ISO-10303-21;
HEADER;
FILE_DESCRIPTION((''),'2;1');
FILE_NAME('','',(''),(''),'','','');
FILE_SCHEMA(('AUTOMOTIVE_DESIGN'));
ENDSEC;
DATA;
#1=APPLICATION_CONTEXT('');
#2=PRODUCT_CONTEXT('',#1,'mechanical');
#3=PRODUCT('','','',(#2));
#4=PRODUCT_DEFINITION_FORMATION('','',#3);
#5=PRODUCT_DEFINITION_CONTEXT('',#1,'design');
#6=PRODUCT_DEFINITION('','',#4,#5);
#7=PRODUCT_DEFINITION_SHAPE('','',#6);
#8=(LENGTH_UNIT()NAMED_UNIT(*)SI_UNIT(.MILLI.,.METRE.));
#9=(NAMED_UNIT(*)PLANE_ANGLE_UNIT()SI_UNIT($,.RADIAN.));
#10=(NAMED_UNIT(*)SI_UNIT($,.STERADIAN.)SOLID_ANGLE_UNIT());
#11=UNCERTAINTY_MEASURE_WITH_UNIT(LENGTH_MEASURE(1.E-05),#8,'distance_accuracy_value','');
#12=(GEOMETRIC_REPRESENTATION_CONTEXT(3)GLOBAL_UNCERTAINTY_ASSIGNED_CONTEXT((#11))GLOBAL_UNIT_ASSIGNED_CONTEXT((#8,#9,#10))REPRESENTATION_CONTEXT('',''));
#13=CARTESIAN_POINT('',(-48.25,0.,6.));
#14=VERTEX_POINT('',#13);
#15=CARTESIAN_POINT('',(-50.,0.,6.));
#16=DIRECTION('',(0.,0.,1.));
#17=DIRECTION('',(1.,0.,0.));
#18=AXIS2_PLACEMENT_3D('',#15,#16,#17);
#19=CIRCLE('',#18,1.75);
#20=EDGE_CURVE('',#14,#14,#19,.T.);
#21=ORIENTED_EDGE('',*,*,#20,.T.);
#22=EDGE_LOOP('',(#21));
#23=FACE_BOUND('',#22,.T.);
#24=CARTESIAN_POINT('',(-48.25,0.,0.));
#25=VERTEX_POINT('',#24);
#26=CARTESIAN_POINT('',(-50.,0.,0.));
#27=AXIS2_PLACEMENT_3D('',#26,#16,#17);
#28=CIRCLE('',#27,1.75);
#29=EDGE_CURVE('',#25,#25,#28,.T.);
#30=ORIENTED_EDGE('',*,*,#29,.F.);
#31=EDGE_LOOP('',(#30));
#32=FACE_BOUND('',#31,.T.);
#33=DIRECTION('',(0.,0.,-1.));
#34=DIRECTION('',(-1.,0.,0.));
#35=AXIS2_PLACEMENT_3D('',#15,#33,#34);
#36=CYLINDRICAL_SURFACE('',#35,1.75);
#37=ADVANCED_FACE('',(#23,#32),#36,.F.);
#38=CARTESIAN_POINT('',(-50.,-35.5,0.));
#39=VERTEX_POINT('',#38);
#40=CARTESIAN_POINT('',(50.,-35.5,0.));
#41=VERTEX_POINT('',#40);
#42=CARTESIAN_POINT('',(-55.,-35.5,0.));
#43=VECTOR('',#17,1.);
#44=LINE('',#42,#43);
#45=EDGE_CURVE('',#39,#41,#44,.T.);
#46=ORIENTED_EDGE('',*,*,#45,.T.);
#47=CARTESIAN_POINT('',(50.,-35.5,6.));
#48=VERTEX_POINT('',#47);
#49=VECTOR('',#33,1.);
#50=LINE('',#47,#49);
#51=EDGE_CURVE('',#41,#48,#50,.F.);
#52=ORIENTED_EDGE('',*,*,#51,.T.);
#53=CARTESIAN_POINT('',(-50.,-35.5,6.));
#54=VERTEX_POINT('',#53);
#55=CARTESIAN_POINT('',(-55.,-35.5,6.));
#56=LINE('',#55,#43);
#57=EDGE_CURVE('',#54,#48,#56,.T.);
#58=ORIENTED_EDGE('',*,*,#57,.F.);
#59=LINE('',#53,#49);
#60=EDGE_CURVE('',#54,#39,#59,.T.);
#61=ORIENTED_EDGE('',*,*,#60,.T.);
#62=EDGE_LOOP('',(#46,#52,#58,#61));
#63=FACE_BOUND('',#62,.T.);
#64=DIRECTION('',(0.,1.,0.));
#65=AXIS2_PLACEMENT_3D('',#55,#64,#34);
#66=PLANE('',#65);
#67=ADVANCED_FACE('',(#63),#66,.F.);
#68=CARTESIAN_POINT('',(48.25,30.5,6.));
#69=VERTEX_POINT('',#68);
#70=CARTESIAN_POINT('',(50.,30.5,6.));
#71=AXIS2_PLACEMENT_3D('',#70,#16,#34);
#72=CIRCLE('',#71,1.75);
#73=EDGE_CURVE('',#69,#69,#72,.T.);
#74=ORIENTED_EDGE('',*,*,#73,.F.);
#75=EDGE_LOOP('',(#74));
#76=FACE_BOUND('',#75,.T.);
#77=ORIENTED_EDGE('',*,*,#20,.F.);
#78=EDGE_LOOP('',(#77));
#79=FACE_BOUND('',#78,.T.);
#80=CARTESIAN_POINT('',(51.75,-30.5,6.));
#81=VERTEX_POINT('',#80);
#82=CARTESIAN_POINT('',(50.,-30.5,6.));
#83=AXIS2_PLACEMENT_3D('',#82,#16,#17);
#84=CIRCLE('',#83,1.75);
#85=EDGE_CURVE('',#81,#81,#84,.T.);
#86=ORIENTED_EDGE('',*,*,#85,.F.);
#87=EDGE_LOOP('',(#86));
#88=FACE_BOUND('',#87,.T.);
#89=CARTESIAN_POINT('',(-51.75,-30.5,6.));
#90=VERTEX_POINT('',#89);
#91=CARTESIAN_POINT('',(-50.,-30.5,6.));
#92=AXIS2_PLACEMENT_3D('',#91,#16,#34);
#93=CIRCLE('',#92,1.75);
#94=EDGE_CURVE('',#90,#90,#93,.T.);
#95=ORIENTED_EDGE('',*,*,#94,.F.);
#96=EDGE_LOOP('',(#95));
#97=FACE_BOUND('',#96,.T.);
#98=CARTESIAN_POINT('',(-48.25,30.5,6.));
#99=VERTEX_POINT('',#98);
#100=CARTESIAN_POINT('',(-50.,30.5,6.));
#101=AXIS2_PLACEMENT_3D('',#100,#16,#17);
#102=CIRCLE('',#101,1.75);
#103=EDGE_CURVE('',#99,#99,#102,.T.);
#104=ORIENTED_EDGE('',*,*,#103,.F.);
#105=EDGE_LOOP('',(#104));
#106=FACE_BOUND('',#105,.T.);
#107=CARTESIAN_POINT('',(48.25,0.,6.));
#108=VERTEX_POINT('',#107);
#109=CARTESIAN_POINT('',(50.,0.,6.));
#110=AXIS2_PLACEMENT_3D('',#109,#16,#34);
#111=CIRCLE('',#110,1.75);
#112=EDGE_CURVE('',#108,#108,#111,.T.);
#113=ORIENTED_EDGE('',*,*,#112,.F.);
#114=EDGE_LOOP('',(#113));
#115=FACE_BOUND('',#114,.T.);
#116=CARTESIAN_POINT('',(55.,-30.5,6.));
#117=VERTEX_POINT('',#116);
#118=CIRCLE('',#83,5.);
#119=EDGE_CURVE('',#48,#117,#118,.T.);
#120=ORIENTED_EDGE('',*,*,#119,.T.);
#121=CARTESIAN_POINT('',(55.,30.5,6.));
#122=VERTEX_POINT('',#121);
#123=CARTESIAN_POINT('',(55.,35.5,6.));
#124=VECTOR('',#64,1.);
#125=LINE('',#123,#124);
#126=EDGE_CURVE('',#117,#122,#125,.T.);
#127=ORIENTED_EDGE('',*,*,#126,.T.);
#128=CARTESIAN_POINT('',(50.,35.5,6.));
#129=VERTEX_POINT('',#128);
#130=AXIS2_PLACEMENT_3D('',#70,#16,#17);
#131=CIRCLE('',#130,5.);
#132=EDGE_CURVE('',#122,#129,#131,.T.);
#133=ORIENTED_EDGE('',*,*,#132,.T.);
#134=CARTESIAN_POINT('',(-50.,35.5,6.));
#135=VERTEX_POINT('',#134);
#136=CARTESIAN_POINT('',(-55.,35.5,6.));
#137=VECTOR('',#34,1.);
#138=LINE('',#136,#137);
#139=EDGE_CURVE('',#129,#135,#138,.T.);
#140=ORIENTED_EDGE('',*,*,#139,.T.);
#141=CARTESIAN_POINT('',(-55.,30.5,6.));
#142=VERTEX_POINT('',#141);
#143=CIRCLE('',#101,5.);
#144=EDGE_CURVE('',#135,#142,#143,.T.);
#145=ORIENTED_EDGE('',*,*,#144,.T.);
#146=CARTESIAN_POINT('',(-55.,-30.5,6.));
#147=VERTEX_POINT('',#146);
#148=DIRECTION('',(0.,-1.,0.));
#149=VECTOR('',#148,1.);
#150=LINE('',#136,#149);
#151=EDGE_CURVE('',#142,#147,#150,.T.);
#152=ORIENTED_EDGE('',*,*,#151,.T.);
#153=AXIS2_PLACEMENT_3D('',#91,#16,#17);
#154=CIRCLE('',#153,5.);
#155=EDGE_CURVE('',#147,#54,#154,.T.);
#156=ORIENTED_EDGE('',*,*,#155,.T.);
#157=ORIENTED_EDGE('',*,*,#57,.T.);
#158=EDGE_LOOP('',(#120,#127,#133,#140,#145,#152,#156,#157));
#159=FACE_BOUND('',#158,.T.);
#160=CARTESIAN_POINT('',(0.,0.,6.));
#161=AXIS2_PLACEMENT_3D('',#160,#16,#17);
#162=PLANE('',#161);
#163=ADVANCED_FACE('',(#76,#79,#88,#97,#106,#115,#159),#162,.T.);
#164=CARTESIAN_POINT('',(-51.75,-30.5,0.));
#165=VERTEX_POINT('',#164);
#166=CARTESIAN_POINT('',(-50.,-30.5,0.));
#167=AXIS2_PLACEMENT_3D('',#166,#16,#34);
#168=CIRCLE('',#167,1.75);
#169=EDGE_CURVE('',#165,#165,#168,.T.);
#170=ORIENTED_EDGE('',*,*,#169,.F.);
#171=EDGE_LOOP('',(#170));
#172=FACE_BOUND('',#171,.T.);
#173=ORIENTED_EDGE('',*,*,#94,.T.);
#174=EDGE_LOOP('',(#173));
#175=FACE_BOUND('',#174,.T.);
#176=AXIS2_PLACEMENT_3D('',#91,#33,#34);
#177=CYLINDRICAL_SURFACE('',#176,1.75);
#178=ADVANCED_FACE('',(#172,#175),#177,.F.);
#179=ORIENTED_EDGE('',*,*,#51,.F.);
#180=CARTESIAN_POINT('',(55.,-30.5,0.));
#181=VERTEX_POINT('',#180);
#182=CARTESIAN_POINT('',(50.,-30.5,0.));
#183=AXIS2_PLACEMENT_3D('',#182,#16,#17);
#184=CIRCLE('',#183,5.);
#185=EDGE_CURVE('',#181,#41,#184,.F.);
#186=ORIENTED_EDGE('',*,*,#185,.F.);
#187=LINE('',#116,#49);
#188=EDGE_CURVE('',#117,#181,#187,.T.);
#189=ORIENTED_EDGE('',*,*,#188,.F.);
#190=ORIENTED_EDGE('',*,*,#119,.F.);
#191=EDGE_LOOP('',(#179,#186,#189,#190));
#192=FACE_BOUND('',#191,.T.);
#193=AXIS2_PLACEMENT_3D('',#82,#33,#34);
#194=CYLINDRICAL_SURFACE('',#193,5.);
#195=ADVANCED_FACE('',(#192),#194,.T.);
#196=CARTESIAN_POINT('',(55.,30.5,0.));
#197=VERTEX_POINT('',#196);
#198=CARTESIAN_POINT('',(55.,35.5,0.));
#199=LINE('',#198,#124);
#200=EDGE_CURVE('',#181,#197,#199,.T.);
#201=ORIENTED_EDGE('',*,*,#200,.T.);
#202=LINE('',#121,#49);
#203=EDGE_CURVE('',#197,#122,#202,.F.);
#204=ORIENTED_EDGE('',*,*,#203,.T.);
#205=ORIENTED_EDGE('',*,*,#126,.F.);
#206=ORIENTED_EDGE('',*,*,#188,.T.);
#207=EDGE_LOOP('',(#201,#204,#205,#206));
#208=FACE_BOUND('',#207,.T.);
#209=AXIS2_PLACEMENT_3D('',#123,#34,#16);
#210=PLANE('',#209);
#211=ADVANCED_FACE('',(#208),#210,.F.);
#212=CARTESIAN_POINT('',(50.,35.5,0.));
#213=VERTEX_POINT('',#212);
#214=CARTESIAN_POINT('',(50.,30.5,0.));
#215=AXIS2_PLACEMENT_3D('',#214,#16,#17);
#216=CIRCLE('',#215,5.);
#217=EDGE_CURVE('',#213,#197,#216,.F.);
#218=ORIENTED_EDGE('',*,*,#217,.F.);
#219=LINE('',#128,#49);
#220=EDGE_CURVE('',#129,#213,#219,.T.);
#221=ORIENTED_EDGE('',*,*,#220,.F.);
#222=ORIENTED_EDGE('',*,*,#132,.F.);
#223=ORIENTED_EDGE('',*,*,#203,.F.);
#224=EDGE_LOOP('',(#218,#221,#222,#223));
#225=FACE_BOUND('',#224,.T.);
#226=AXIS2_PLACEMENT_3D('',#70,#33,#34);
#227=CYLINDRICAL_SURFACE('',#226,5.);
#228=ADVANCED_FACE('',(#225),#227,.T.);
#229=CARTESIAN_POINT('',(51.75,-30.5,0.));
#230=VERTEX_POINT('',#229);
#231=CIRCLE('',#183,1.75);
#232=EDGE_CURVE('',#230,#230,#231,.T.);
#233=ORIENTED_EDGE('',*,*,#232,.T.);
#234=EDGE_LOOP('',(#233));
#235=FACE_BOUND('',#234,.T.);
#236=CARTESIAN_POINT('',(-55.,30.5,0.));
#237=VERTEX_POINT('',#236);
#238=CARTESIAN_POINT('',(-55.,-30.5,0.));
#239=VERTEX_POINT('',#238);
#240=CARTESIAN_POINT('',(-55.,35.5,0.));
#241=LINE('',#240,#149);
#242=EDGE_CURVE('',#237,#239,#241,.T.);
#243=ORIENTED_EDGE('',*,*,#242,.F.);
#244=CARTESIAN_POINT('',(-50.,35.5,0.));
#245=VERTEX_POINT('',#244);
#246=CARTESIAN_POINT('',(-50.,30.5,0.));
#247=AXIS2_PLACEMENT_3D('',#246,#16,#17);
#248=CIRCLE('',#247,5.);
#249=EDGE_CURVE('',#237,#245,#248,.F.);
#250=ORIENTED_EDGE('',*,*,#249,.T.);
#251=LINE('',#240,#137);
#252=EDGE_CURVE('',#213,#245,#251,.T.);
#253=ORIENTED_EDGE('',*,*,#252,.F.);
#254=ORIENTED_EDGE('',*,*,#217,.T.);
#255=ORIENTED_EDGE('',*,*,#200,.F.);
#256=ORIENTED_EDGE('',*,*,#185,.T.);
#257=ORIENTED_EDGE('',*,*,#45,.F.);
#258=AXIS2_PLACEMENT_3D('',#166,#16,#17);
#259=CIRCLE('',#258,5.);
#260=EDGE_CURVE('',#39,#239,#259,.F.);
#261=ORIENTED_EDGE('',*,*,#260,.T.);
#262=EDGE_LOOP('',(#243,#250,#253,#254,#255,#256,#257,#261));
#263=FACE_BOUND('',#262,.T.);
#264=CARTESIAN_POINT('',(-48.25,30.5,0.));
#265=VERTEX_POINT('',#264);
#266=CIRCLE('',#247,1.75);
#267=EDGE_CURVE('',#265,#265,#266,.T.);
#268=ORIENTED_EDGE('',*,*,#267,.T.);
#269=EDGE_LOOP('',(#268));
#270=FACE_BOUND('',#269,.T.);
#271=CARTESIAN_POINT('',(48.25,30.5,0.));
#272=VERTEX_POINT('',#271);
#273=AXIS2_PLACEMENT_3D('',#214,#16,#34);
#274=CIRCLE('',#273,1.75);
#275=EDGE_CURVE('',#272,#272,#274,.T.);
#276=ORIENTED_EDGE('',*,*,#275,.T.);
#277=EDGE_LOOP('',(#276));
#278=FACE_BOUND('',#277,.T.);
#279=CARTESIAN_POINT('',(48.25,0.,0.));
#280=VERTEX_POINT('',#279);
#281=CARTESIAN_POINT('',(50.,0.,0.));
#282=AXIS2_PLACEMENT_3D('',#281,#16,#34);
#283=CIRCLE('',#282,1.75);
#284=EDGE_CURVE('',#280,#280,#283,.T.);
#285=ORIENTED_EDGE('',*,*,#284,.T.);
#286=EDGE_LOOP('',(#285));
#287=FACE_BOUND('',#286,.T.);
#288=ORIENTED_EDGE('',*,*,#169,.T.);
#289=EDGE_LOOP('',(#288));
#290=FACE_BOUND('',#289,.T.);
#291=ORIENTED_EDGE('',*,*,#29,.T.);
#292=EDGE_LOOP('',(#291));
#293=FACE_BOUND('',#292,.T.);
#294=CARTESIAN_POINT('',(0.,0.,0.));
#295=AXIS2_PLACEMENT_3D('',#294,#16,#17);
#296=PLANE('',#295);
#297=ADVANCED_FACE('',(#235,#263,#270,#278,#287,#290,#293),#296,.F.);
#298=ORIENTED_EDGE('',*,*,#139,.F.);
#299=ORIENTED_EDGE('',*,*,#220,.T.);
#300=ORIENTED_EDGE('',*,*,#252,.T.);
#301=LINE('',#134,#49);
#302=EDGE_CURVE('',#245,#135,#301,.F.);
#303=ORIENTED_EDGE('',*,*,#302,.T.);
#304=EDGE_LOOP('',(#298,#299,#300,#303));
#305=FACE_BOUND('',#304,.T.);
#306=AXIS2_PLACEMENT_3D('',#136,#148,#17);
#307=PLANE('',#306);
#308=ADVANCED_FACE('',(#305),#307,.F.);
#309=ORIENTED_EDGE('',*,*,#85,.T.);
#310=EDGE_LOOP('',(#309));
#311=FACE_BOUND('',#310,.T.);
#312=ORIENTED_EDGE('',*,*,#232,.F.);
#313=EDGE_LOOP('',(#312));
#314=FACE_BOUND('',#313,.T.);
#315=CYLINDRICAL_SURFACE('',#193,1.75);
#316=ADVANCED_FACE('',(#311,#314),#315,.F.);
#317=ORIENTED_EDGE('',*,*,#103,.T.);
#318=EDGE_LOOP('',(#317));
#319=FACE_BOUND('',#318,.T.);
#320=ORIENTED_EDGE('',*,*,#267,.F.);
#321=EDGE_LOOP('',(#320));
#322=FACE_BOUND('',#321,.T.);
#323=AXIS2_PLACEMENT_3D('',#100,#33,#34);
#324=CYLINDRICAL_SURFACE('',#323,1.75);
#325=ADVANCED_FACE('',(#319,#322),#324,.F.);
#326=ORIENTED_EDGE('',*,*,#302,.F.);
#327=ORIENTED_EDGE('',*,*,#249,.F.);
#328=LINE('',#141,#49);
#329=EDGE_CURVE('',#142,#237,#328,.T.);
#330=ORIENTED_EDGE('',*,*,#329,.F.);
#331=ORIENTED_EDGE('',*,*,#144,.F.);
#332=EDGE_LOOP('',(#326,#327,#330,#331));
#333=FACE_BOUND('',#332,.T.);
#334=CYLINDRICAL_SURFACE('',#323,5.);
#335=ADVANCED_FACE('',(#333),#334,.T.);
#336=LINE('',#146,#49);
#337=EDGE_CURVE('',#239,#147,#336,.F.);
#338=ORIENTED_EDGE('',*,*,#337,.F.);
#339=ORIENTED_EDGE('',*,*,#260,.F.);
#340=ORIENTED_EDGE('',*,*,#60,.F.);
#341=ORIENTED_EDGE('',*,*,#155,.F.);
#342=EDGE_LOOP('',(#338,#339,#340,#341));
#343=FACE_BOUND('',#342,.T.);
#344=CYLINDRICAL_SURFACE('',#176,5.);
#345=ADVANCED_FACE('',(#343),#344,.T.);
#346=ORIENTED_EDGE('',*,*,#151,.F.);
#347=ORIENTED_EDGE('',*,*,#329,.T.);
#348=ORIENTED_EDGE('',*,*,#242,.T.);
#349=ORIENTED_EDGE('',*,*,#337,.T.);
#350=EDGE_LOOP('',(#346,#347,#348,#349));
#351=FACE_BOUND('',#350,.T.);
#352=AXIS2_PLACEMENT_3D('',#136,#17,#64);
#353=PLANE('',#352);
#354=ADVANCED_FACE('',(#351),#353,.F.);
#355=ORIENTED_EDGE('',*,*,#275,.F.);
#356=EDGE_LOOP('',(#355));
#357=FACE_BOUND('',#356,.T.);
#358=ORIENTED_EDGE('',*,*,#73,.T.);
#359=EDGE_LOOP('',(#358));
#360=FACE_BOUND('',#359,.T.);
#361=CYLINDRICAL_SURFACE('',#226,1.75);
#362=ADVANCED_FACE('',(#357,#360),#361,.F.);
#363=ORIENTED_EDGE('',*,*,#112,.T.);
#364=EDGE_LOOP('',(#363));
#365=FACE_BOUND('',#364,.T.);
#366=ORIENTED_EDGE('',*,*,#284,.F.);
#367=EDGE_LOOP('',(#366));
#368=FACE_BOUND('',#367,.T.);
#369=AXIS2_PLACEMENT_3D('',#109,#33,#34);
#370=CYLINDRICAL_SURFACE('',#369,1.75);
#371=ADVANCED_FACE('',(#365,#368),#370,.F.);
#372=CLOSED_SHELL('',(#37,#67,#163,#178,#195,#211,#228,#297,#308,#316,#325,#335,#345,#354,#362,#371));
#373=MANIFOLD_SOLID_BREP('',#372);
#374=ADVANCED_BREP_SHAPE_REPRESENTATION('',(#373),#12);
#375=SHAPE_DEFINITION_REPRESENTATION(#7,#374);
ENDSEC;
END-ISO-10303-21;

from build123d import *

# Parameters (mm, degrees)
ESQUISSE1_W        = 110
ESQUISSE1_H        = 71
ESQUISSE1_R        = 1.75
BOSS_EXTRU_1_DEPTH = 6
CONG_1_R           = 5


with BuildPart() as part:
    # Esquisse1 → Boss.-Extru.1 (new body)
    with BuildSketch(Plane.XY):
        Rectangle(ESQUISSE1_W, ESQUISSE1_H)
        with Locations((-50, 30.5)):
            Circle(ESQUISSE1_R, mode=Mode.SUBTRACT)
        with Locations((50, 30.5)):
            Circle(ESQUISSE1_R, mode=Mode.SUBTRACT)
        with Locations((50, -30.5)):
            Circle(ESQUISSE1_R, mode=Mode.SUBTRACT)
        with Locations((-50, -30.5)):
            Circle(ESQUISSE1_R, mode=Mode.SUBTRACT)
        with Locations((-50, 0)):
            Circle(ESQUISSE1_R, mode=Mode.SUBTRACT)
        with Locations((50, 0)):
            Circle(ESQUISSE1_R, mode=Mode.SUBTRACT)
    extrude(amount=BOSS_EXTRU_1_DEPTH)

    # Congé1
    cong_1_edges = [part.edges().sort_by_distance(p)[0] for p in [
        (-55, 35.5, 3),
        (55, 35.5, 3),
        (55, -35.5, 3),
        (-55, -35.5, 3),
    ]]
    fillet(cong_1_edges, radius=CONG_1_R)


solid = part.part
